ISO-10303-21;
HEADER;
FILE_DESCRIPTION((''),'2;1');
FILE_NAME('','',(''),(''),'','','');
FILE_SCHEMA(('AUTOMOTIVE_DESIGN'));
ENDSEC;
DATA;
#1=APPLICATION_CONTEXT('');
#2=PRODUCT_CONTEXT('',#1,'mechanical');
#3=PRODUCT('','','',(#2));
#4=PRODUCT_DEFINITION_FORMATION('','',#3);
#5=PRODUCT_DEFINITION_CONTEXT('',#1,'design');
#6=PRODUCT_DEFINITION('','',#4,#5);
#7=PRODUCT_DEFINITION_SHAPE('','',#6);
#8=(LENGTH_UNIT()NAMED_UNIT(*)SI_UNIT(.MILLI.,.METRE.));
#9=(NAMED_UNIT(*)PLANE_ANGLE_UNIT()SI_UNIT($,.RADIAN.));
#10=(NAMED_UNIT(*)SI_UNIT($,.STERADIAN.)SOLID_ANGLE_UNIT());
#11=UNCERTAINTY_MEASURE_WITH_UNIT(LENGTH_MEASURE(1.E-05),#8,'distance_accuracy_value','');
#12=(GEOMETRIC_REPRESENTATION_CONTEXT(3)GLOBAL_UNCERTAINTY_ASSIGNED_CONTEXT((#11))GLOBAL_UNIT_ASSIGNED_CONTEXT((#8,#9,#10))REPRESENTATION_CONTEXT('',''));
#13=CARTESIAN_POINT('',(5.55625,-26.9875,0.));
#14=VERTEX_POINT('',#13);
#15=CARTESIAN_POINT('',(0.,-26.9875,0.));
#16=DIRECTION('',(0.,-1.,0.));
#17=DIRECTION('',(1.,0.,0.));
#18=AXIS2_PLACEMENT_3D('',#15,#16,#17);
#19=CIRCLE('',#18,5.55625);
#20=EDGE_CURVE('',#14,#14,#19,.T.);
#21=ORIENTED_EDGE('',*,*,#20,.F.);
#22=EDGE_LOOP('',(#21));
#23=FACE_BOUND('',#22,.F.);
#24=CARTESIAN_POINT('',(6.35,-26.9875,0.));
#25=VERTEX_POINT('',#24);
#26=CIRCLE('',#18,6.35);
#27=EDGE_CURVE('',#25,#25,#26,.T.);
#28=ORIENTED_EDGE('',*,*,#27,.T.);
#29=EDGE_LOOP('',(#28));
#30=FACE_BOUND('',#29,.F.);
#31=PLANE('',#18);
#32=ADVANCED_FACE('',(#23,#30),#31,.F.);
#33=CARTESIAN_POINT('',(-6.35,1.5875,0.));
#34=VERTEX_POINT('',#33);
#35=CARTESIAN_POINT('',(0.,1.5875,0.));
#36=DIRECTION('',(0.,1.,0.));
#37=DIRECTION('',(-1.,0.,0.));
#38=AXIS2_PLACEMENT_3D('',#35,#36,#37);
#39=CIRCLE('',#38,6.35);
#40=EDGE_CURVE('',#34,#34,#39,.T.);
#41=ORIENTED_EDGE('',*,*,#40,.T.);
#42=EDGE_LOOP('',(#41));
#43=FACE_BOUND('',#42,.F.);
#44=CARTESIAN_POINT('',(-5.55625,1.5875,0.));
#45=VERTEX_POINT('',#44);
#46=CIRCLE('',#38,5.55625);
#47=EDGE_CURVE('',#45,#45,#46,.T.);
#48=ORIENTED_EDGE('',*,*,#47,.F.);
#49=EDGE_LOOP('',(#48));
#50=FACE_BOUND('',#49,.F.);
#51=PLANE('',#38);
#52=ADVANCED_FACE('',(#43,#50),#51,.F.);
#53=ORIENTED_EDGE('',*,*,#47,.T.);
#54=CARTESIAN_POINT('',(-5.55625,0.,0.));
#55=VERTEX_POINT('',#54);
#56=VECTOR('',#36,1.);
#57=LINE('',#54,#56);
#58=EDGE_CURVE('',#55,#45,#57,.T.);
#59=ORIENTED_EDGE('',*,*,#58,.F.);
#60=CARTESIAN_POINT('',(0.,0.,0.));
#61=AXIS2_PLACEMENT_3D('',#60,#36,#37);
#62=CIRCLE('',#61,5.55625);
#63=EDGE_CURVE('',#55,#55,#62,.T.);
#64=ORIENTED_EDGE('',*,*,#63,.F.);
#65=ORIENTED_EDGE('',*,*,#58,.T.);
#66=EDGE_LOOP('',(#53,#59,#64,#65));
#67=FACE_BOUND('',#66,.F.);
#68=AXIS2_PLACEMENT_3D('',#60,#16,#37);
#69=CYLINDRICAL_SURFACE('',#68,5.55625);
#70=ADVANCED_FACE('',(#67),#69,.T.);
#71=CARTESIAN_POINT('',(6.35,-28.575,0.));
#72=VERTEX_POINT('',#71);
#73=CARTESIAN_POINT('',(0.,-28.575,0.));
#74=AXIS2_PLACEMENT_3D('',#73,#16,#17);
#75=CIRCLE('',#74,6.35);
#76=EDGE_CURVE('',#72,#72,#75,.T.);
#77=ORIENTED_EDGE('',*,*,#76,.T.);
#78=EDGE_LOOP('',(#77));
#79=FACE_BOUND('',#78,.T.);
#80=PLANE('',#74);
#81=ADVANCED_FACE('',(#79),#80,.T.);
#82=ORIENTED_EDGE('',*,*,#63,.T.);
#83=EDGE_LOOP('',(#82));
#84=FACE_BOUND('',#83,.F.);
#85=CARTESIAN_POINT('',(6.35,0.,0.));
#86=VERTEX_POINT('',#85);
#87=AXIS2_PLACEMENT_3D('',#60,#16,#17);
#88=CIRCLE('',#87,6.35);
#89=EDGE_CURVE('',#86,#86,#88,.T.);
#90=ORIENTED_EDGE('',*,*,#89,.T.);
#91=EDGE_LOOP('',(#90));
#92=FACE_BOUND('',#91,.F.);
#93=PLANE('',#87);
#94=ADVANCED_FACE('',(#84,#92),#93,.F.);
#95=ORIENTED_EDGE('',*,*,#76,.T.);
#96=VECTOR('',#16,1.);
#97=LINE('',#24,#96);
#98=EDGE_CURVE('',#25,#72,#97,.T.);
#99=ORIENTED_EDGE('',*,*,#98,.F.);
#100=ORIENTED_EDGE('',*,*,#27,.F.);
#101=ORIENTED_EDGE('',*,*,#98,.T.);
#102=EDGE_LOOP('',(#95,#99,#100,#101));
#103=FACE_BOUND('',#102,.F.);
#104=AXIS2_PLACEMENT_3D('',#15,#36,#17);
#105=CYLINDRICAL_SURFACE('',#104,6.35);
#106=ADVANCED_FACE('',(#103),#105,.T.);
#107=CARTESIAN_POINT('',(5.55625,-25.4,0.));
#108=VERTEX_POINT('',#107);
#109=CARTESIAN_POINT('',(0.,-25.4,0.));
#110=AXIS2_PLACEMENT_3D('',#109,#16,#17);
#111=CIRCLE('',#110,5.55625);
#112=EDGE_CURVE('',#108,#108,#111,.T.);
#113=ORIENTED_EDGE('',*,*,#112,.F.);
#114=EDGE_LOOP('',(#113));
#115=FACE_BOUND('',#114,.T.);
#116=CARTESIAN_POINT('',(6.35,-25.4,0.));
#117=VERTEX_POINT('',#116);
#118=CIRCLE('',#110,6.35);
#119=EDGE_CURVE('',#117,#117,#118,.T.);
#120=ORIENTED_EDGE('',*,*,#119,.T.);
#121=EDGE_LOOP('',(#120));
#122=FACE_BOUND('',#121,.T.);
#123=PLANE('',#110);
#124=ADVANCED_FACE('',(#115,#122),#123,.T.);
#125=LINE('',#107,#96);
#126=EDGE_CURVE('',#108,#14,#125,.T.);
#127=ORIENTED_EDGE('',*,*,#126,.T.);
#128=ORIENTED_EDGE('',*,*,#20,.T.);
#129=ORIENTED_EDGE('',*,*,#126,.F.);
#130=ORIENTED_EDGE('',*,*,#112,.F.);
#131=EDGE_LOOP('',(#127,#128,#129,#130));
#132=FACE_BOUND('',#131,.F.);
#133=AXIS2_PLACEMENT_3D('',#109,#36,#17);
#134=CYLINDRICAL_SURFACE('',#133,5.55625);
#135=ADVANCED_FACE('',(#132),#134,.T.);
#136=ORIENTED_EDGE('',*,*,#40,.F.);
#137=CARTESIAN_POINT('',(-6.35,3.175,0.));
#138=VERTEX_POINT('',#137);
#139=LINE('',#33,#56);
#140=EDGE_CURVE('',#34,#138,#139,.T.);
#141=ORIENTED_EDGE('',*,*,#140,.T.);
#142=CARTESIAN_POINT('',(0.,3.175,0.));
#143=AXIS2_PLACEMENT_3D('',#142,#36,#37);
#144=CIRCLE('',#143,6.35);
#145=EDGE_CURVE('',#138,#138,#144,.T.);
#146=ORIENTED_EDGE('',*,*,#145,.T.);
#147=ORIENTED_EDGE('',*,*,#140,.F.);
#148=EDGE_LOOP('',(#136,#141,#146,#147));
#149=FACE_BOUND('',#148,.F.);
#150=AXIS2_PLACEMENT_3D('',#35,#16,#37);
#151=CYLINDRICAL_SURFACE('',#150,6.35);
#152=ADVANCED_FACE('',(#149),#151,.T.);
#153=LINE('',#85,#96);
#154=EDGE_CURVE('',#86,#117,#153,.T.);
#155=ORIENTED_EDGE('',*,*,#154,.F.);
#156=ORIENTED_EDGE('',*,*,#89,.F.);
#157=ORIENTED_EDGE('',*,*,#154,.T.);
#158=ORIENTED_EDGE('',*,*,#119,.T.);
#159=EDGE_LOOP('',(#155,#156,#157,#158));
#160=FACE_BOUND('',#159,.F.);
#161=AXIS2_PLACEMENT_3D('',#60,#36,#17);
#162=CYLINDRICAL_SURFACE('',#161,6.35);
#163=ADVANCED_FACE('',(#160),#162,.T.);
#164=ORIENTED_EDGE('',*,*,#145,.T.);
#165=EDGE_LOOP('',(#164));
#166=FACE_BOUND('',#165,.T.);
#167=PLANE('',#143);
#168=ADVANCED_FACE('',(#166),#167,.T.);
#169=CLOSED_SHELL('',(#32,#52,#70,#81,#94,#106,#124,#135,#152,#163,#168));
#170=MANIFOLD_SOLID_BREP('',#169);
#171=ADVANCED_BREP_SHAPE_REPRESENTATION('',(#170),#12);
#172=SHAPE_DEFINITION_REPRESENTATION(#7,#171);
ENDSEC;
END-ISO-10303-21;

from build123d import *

# Parameters (mm, degrees)
F0_R     = 6.35
F1_DEPTH = 25.4
F2_R     = 5.55625
F3_DEPTH = 1.5875
F4_R     = 6.35
F5_DEPTH = 1.5875
F6_R     = 5.55625
F7_DEPTH = 1.5875
F8_R     = 6.35
F9_DEPTH = 1.5875


with BuildPart() as f1:
    # F0 (on Front) → F1 (new body)
    with BuildSketch(Plane.XZ):
        Circle(F0_R)
    extrude(amount=F1_DEPTH)

    # F2 (on face) → F3 (join)
    with BuildSketch(Plane.XZ.offset(25.4)):
        Circle(F2_R)
    extrude(amount=F3_DEPTH)

    # F4 (on face) → F5 (join)
    with BuildSketch(Plane.XZ.offset(26.9875)):
        Circle(F4_R)
    extrude(amount=F5_DEPTH)

    # F6 (on face) → F7 (join)
    with BuildSketch(Plane(origin=(0, 0, 0), x_dir=(-1, 0, 0), z_dir=(0, 1, 0))):
        Circle(F6_R)
    extrude(amount=F7_DEPTH)

    # F8 (on face) → F9 (join)
    with BuildSketch(Plane(origin=(0, 1.5875, 0), x_dir=(-1, 0, 0), z_dir=(0, 1, 0))):
        Circle(F8_R)
    extrude(amount=F9_DEPTH)


solid = f1.part
